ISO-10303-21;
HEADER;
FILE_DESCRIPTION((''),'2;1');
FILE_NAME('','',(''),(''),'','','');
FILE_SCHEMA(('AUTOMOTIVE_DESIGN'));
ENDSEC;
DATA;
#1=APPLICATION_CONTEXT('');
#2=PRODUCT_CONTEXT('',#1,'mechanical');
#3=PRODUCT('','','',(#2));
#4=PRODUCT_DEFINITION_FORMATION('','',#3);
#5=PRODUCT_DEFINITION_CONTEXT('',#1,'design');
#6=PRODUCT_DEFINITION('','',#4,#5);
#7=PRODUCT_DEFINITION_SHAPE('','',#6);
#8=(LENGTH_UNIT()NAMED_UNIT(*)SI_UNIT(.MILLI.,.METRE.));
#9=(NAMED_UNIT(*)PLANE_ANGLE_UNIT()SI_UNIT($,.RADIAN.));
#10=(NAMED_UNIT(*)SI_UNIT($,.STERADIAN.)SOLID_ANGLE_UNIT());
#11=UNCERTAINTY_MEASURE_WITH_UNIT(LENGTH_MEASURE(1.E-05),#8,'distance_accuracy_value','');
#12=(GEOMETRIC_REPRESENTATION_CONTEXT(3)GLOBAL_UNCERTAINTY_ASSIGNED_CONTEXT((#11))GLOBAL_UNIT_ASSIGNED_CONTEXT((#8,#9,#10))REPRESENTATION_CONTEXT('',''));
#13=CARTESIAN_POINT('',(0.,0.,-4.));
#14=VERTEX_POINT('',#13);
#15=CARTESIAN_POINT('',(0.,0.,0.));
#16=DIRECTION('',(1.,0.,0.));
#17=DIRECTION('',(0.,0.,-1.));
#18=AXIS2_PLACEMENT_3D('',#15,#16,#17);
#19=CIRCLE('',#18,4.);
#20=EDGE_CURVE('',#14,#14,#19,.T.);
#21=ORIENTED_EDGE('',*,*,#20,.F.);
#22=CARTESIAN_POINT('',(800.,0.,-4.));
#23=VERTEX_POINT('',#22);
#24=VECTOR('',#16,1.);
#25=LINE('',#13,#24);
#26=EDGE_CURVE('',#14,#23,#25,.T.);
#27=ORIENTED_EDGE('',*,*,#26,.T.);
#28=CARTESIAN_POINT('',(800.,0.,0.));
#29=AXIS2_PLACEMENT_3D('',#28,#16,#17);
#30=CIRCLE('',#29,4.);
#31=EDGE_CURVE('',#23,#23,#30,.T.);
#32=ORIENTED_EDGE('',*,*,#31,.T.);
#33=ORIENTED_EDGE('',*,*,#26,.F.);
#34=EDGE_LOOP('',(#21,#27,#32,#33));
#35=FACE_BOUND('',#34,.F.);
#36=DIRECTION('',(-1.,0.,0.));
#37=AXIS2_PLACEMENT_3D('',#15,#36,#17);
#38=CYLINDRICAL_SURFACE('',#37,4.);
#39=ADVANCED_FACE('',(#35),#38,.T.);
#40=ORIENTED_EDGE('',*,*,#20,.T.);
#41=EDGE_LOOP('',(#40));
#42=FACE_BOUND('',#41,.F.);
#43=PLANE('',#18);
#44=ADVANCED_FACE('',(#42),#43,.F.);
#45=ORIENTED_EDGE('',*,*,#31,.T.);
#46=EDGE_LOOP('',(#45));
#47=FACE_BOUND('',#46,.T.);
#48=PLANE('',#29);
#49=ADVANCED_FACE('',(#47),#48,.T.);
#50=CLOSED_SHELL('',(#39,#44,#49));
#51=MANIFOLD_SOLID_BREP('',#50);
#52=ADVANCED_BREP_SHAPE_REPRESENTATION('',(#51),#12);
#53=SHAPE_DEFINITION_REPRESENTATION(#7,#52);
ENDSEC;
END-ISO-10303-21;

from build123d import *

# Parameters (mm, degrees)
CROQUIS1_R              = 4
SALIENTE_EXTRUIR1_DEPTH = 800


with BuildPart() as part:
    # Croquis1 → Saliente-Extruir1 (new body)
    with BuildSketch(Plane(origin=(0, 0, 0), x_dir=(0, 0, -1), z_dir=(1, 0, 0))):
        Circle(CROQUIS1_R)
    extrude(amount=SALIENTE_EXTRUIR1_DEPTH)


solid = part.part
